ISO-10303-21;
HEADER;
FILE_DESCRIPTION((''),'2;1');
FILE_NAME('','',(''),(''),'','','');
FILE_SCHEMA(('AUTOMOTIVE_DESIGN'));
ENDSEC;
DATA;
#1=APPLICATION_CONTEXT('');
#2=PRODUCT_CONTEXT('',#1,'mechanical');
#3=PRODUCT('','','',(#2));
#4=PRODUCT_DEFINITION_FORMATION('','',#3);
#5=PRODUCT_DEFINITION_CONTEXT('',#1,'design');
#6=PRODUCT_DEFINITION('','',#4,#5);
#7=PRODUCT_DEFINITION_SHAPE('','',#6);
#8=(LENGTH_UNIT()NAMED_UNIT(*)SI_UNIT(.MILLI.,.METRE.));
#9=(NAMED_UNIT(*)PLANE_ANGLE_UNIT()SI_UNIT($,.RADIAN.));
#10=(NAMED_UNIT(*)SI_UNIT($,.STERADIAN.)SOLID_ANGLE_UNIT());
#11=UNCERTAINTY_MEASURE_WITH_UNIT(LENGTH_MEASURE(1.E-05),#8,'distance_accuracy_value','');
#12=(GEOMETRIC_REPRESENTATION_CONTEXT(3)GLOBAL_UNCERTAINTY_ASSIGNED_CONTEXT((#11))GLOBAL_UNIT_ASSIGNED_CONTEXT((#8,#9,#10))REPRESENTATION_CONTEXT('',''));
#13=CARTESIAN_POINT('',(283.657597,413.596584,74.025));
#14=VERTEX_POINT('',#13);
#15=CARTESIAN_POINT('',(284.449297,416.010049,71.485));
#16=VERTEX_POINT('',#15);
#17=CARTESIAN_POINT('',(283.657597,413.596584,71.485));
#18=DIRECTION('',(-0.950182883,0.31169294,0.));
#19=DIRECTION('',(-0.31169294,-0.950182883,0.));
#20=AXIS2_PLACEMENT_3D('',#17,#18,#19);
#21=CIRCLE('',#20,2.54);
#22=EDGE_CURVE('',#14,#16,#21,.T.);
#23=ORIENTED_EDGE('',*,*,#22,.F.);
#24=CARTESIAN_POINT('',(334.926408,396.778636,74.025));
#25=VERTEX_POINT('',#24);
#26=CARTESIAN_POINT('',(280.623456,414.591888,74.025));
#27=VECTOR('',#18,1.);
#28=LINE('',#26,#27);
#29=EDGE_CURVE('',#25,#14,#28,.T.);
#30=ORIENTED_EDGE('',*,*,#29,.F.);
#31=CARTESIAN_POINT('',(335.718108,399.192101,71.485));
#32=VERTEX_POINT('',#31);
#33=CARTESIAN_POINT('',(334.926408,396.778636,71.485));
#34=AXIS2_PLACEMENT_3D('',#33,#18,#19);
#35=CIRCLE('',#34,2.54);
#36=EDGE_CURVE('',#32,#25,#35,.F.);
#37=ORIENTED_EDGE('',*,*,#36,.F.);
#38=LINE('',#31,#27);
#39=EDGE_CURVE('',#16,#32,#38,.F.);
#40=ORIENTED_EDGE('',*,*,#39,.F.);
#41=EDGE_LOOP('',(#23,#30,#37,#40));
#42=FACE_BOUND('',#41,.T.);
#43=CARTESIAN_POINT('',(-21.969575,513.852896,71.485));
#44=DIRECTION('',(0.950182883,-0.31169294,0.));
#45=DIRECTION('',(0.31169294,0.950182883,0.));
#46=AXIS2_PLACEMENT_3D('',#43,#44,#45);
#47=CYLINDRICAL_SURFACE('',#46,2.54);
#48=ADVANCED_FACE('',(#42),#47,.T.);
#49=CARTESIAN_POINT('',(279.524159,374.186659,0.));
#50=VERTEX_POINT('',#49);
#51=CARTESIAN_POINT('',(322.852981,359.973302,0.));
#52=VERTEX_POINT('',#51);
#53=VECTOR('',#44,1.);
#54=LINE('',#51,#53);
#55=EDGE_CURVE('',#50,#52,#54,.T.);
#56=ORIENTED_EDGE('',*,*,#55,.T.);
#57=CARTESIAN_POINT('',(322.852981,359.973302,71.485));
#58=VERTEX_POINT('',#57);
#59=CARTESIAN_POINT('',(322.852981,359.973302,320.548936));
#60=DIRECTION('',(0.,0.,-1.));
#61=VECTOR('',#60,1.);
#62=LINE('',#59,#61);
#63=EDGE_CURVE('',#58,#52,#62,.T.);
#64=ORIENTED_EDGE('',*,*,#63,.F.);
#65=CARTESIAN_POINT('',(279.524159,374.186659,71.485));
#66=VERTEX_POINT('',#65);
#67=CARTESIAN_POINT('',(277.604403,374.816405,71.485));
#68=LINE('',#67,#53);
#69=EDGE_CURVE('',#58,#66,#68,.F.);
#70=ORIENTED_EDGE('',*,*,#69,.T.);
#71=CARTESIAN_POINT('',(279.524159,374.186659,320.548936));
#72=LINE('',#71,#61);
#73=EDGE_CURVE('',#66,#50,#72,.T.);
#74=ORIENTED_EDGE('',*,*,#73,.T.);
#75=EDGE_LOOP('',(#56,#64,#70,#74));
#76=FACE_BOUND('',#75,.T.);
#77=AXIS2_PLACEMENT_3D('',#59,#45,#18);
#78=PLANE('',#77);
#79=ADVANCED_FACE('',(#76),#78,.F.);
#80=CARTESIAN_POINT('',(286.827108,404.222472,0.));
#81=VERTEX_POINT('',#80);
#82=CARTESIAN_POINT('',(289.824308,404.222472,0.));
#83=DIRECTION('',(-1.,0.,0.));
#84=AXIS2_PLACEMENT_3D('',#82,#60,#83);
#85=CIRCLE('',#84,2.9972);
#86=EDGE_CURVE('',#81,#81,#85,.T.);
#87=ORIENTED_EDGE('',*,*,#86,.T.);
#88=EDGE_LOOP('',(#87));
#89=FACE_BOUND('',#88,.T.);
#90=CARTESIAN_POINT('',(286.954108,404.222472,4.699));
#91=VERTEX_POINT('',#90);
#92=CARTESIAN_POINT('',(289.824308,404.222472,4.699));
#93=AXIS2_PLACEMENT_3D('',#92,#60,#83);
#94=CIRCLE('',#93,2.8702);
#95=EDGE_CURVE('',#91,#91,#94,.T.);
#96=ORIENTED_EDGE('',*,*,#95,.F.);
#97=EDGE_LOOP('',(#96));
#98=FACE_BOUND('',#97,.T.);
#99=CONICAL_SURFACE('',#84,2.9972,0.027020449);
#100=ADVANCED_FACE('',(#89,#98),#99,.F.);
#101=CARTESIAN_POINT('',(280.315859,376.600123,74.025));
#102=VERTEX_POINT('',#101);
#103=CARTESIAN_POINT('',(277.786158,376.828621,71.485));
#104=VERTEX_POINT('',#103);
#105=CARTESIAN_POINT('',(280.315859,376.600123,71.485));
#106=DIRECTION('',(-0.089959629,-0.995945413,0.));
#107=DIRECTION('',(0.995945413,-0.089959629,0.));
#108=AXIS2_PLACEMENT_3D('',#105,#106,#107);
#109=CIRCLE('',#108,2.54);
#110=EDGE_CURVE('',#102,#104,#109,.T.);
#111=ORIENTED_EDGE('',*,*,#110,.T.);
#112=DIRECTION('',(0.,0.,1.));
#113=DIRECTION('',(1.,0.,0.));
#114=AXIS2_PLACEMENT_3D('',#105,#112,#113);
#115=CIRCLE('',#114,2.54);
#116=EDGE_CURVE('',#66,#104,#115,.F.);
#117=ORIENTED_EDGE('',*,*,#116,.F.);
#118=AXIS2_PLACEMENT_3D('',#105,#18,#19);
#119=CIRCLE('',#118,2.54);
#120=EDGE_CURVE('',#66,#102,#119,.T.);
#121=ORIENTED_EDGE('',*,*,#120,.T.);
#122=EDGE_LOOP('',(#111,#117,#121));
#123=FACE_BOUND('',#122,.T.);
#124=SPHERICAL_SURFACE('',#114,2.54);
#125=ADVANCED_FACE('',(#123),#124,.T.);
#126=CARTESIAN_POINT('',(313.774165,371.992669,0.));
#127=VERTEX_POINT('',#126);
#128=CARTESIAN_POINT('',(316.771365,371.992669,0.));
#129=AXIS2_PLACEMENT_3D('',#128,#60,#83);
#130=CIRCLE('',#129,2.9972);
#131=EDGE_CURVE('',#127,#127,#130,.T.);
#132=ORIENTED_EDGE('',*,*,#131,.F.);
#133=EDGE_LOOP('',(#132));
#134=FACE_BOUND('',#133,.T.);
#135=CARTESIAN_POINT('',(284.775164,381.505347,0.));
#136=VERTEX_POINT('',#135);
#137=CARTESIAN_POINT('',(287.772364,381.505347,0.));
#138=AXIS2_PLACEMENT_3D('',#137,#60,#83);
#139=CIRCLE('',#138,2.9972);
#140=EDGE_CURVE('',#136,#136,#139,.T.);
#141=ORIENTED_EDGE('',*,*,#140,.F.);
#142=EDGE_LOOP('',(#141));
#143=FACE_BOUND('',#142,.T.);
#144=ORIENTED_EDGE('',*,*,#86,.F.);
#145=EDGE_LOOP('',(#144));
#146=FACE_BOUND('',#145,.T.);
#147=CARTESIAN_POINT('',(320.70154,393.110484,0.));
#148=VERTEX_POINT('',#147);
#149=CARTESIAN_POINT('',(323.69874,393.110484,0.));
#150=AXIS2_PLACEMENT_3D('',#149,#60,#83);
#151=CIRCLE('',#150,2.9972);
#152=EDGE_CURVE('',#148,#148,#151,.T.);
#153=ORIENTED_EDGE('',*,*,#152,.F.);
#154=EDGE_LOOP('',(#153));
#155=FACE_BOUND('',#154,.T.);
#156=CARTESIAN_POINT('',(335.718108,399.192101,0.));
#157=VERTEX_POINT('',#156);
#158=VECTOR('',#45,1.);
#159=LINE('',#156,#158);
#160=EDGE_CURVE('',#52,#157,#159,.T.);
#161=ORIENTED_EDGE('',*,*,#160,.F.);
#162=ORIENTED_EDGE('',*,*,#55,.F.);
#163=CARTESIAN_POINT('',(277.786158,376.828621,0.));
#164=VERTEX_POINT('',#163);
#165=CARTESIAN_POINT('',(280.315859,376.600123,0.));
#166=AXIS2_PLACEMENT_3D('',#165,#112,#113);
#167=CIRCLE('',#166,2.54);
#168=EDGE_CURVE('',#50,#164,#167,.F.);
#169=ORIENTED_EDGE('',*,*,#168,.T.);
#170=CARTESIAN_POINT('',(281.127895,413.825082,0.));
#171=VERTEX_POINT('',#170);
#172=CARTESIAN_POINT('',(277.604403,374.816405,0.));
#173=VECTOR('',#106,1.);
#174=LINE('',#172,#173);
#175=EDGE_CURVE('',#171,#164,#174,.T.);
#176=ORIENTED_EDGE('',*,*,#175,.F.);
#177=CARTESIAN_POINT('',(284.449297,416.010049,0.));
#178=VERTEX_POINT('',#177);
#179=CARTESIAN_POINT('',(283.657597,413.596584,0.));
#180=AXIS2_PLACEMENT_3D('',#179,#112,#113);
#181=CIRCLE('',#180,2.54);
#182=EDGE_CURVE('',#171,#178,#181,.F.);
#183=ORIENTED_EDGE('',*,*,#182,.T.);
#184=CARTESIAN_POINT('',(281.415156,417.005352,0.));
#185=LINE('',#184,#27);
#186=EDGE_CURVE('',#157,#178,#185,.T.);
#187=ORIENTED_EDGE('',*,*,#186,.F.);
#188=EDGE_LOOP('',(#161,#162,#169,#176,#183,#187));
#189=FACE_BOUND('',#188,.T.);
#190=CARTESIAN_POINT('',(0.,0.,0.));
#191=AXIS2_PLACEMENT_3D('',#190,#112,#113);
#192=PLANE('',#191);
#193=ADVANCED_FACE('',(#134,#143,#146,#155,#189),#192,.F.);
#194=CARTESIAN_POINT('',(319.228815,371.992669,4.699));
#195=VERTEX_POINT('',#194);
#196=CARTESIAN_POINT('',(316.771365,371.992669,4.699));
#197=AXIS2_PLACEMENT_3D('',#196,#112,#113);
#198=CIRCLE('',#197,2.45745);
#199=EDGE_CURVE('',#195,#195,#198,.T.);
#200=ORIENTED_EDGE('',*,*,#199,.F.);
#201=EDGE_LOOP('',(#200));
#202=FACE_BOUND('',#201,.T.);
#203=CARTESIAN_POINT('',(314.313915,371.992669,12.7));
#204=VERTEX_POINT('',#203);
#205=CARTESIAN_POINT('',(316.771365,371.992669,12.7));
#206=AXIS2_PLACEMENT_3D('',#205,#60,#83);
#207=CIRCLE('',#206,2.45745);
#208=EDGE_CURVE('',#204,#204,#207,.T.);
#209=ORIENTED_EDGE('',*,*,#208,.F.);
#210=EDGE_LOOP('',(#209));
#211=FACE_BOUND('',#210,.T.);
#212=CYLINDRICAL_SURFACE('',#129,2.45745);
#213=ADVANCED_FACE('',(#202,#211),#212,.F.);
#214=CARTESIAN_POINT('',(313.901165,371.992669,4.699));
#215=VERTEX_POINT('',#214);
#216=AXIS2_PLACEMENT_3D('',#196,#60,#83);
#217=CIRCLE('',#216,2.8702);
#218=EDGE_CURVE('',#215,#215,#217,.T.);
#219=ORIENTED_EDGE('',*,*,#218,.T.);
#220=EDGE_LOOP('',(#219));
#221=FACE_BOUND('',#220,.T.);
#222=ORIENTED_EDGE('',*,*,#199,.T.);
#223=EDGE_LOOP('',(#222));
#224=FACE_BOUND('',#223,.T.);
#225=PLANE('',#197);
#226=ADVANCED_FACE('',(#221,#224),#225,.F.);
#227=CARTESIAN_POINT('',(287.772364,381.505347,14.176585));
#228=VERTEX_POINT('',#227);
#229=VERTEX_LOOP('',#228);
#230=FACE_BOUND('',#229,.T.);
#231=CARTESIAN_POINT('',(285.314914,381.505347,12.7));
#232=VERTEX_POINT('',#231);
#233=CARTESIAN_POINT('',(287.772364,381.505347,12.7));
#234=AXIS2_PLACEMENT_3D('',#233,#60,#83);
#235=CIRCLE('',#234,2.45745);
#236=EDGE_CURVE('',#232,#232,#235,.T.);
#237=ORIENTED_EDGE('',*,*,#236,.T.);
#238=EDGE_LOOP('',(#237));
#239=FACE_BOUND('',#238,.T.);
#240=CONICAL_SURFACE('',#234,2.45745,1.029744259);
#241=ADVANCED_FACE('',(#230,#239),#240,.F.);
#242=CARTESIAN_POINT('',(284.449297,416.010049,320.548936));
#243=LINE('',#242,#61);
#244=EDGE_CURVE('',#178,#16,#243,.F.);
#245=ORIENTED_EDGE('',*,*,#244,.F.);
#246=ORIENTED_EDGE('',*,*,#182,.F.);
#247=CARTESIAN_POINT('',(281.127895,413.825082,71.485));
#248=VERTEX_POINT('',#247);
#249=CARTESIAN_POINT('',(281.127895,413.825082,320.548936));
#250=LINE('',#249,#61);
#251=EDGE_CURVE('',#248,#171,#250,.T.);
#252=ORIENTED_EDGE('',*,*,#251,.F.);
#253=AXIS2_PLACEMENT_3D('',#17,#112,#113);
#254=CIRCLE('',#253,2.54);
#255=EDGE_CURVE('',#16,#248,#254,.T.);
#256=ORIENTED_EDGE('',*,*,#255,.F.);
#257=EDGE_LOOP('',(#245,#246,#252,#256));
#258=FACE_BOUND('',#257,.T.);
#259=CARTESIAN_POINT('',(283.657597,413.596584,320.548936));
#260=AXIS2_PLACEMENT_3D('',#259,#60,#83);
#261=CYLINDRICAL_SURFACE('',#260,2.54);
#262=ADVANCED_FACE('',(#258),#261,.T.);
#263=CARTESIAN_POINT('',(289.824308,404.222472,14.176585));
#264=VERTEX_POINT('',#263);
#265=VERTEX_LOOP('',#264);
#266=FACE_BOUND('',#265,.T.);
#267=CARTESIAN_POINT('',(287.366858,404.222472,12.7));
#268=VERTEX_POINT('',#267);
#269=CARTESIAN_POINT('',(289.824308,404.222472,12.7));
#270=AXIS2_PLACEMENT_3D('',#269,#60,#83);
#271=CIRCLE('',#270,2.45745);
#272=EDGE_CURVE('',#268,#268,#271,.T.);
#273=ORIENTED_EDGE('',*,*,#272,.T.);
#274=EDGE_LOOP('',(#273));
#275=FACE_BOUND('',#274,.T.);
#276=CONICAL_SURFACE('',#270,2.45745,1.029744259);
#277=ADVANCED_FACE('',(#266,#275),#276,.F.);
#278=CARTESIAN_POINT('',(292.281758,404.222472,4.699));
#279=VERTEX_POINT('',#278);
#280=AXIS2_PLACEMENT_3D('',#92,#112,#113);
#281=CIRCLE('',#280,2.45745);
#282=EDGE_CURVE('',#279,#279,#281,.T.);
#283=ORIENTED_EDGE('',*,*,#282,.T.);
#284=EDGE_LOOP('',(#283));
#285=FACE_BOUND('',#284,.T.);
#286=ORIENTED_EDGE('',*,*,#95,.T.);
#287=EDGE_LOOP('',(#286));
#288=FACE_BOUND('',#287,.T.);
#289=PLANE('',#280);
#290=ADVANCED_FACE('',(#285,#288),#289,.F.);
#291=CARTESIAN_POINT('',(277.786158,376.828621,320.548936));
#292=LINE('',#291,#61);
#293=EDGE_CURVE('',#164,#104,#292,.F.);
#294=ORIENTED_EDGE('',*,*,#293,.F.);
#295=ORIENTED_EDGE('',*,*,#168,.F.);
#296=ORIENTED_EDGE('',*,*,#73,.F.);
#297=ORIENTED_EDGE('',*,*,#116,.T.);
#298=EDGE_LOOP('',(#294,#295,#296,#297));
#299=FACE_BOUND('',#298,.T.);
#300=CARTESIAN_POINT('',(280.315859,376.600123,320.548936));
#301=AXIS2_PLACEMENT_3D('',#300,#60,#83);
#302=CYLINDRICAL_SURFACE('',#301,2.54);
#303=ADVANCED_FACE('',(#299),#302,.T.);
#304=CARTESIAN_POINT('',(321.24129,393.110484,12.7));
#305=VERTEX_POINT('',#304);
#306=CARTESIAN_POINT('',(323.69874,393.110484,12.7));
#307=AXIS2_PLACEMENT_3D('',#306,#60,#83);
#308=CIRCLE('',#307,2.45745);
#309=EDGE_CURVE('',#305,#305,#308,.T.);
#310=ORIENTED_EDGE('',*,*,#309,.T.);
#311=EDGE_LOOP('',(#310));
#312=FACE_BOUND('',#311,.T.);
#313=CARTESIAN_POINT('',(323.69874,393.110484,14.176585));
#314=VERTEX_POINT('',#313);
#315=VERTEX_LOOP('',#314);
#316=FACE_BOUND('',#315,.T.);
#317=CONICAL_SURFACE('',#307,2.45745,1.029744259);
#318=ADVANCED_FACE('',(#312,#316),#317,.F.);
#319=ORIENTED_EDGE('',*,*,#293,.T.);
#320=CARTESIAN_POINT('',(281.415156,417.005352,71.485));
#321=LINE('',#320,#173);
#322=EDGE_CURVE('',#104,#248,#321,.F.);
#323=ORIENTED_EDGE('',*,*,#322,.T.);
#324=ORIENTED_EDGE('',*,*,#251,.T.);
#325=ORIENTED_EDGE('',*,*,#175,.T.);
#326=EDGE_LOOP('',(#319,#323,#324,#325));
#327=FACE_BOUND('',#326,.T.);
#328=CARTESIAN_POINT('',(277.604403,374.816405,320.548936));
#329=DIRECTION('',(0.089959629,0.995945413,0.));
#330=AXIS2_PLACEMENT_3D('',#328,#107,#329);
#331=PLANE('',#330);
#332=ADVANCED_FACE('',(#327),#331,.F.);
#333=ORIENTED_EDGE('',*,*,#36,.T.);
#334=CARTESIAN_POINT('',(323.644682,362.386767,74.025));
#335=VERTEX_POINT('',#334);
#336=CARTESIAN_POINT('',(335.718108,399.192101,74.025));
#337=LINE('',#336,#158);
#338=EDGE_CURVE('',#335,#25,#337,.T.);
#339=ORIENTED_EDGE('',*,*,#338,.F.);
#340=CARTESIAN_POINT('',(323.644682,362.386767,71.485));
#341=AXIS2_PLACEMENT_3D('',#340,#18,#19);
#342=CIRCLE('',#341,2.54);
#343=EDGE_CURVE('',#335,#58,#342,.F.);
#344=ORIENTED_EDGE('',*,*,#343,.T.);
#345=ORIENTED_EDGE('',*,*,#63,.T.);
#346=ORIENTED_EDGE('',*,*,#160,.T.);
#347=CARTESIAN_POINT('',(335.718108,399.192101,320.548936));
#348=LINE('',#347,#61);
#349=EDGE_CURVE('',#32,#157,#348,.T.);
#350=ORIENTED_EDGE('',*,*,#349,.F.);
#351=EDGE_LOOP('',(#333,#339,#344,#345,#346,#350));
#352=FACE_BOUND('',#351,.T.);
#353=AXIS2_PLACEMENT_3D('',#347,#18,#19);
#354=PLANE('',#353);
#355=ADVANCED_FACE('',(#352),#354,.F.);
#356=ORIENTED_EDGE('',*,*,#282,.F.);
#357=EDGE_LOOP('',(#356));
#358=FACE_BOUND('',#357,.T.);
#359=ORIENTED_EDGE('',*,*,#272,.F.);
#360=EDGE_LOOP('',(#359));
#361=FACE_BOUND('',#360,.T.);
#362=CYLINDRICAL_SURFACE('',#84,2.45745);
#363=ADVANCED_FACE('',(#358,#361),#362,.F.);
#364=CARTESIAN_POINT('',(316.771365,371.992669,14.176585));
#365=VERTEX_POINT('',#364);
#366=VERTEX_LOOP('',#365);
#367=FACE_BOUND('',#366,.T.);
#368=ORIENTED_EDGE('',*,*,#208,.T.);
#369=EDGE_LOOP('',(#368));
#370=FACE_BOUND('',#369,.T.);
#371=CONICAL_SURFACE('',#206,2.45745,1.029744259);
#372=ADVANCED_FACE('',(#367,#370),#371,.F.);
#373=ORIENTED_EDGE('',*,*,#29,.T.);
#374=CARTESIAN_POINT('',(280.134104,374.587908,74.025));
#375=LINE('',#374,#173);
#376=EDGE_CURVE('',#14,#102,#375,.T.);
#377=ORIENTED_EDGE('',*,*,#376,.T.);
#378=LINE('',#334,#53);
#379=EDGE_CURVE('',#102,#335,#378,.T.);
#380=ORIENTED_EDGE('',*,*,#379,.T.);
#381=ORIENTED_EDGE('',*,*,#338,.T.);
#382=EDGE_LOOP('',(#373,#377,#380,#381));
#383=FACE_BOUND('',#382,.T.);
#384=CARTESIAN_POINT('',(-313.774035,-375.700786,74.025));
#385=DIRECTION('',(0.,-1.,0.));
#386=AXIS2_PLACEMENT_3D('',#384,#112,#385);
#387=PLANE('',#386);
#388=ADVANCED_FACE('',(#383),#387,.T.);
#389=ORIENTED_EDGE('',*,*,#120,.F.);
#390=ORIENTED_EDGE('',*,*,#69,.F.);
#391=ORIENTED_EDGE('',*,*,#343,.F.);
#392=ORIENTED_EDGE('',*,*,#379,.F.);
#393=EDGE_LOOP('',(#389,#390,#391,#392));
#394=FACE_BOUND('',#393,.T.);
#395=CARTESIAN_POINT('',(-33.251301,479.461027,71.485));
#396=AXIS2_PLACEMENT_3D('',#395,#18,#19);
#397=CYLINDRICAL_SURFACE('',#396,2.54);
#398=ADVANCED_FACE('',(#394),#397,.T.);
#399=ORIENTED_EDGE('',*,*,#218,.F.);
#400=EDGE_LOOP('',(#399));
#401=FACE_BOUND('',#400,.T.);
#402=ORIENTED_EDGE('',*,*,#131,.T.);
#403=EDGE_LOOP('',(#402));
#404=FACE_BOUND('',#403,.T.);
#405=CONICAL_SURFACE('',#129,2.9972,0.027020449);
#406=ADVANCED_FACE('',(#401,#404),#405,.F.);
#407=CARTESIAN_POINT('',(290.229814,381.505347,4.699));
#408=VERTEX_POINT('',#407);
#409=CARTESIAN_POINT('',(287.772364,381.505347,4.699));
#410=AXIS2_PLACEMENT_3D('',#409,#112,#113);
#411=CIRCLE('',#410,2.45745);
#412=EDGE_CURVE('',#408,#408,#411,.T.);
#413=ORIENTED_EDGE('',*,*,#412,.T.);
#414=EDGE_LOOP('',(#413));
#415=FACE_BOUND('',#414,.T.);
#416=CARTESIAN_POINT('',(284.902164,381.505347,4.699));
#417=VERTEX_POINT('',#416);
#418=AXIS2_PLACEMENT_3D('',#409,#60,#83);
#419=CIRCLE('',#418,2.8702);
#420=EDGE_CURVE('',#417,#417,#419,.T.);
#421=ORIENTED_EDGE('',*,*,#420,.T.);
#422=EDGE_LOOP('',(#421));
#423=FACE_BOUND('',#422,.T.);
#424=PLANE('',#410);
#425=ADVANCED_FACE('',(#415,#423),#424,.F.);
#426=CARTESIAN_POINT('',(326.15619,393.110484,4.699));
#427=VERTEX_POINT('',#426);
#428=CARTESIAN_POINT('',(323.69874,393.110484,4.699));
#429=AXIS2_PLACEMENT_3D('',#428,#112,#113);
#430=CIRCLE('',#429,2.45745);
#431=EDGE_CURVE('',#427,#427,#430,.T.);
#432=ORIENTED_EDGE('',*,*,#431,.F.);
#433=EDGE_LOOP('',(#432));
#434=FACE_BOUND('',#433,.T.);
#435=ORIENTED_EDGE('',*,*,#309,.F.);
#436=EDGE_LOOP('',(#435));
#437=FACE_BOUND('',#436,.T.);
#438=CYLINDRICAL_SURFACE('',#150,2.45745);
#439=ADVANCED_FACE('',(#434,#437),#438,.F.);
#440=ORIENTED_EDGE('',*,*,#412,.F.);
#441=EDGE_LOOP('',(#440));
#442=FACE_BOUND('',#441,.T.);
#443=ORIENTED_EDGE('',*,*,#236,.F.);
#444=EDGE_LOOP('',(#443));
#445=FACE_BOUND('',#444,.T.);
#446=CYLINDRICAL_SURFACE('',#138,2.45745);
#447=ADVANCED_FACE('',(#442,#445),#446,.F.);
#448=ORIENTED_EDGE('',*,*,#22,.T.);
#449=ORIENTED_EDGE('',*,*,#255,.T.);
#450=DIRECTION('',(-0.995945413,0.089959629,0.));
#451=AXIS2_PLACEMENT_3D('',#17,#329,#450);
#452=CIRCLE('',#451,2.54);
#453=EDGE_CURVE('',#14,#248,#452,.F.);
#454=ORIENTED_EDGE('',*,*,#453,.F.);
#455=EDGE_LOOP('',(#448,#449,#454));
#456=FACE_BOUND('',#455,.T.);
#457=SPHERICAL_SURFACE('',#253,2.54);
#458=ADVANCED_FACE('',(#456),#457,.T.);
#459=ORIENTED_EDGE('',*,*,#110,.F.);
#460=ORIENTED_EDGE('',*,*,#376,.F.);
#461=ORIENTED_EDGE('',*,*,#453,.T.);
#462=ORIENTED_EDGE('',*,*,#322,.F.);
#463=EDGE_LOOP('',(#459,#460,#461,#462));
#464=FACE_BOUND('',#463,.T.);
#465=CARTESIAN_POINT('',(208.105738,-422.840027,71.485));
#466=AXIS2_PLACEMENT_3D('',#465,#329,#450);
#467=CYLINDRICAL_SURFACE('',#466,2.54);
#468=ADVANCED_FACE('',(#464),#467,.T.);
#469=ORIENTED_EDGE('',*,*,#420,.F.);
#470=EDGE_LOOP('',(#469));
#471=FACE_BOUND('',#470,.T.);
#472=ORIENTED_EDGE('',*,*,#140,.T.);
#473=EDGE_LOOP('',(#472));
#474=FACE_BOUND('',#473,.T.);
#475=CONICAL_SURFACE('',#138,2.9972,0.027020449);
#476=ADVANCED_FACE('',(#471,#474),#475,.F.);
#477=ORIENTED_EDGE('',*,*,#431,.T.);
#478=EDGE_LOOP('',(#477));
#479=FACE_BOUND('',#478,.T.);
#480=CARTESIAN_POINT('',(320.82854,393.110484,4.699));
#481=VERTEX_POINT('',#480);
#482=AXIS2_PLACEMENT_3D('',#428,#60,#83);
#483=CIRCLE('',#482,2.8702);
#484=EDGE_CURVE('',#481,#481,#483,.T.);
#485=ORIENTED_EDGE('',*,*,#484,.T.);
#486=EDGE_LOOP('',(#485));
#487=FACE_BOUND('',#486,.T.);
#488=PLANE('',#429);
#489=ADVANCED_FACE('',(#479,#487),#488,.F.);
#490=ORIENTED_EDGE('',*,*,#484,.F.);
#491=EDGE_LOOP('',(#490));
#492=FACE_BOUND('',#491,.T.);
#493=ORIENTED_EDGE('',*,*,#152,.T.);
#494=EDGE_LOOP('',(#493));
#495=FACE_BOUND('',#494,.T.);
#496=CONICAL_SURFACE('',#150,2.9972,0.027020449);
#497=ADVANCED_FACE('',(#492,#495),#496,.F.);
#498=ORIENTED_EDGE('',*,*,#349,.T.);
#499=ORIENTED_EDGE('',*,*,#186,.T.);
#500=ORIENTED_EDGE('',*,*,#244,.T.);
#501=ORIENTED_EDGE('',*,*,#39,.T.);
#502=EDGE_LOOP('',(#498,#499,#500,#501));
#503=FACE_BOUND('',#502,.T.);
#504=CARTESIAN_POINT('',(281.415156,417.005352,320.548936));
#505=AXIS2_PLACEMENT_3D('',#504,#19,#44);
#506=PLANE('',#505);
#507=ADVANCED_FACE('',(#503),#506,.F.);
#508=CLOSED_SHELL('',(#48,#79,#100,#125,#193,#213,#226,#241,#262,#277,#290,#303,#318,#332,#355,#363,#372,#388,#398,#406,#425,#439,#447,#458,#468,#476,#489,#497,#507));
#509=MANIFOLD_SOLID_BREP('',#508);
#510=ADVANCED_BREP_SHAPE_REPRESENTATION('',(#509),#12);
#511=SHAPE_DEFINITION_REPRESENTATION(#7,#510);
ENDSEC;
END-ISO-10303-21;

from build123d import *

# Parameters (mm, degrees)
BOSS_EXTRUDE1_DEPTH       = 74.025
FILLET1_R                 = 2.54
HOLE1_AT_2_COUNT          = 2
HOLE1_AT_2_PITCH          = 35.650433853
HOLE1_AT_3_COUNT          = 2
HOLE1_AT_3_PITCH          = 37.7542539
HOLE1_AT_4_COUNT          = 2
HOLE1_AT_4_PITCH          = 22.225
F_8_CLEARANCE_HOLE1_D     = 4.9149
F_8_CLEARANCE_HOLE1_DEPTH = 12.7
F_8_CLEARANCE_HOLE1_TIP   = 1.476584928


with BuildPart() as part:
    # Sketch1 → Boss-Extrude1 (new body)
    with BuildSketch(Plane.XY):
        Polygon((277.604402796, 374.816405204), (281.415155825, 417.005352091), (335.71810759, 399.192100573), (322.852981494, 359.973302076), align=None)
    extrude(amount=BOSS_EXTRUDE1_DEPTH)

    # Fillet1
    fillet1_edges = [part.edges().sort_by_distance(p)[0] for p in [
        (281.415155825, 417.005352091, 37.0125),
        (279.509779311, 395.910878647, 74.025),
        (300.228692145, 367.39485364, 74.025),
        (308.566631708, 408.098726332, 74.025),
        (277.604402796, 374.816405204, 37.0125),
    ]]
    fillet(fillet1_edges, radius=FILLET1_R)

    # Sketch3 → Hole1 (revolve, cut)
    with BuildSketch(Plane(origin=(323.698740376, 393.110483865, 0), x_dir=(0, 1, 0), z_dir=(1, 0, 0))):
        Polygon((0, 0), (0, 4.699), (2.8702, 4.699), (2.9972, 0), align=None)
    hole1 = revolve(axis=Axis((323.698740376, 393.110483865, 110), (0, 0, -1)), mode=Mode.SUBTRACT)

    # Hole1 at 2: Hole1 ×2
    with Locations(*[Vector(-0.950182883, 0.31169294, 0) * (i * HOLE1_AT_2_PITCH) for i in range(1, HOLE1_AT_2_COUNT)]):
        add(hole1, mode=Mode.SUBTRACT)

    # Hole1 at 3: Hole1 ×2
    with Locations(*[Vector(-0.951584848, -0.307386202, 0) * (i * HOLE1_AT_3_PITCH) for i in range(1, HOLE1_AT_3_COUNT)]):
        add(hole1, mode=Mode.SUBTRACT)

    # Hole1 at 4: Hole1 ×2
    with Locations(*[Vector(-0.31169294, -0.950182883, 0) * (i * HOLE1_AT_4_PITCH) for i in range(1, HOLE1_AT_4_COUNT)]):
        add(hole1, mode=Mode.SUBTRACT)

    # #8 Clearance Hole1
    with Locations(Plane(origin=(0, 0, 0), x_dir=(-1, 0, 0), z_dir=(0, 0, -1))):
        with Locations((-323.698740376, 393.110483865), (-289.824308357, 404.222472403), (-287.772364418, 381.505347156), (-316.771364786, 371.99266929)):
            Hole(F_8_CLEARANCE_HOLE1_D / 2, depth=F_8_CLEARANCE_HOLE1_DEPTH)
            with Locations((0, 0, -(F_8_CLEARANCE_HOLE1_DEPTH + F_8_CLEARANCE_HOLE1_TIP / 2))):  # 118° drill point
                Cone(0, F_8_CLEARANCE_HOLE1_D / 2, F_8_CLEARANCE_HOLE1_TIP, mode=Mode.SUBTRACT)


solid = part.part
